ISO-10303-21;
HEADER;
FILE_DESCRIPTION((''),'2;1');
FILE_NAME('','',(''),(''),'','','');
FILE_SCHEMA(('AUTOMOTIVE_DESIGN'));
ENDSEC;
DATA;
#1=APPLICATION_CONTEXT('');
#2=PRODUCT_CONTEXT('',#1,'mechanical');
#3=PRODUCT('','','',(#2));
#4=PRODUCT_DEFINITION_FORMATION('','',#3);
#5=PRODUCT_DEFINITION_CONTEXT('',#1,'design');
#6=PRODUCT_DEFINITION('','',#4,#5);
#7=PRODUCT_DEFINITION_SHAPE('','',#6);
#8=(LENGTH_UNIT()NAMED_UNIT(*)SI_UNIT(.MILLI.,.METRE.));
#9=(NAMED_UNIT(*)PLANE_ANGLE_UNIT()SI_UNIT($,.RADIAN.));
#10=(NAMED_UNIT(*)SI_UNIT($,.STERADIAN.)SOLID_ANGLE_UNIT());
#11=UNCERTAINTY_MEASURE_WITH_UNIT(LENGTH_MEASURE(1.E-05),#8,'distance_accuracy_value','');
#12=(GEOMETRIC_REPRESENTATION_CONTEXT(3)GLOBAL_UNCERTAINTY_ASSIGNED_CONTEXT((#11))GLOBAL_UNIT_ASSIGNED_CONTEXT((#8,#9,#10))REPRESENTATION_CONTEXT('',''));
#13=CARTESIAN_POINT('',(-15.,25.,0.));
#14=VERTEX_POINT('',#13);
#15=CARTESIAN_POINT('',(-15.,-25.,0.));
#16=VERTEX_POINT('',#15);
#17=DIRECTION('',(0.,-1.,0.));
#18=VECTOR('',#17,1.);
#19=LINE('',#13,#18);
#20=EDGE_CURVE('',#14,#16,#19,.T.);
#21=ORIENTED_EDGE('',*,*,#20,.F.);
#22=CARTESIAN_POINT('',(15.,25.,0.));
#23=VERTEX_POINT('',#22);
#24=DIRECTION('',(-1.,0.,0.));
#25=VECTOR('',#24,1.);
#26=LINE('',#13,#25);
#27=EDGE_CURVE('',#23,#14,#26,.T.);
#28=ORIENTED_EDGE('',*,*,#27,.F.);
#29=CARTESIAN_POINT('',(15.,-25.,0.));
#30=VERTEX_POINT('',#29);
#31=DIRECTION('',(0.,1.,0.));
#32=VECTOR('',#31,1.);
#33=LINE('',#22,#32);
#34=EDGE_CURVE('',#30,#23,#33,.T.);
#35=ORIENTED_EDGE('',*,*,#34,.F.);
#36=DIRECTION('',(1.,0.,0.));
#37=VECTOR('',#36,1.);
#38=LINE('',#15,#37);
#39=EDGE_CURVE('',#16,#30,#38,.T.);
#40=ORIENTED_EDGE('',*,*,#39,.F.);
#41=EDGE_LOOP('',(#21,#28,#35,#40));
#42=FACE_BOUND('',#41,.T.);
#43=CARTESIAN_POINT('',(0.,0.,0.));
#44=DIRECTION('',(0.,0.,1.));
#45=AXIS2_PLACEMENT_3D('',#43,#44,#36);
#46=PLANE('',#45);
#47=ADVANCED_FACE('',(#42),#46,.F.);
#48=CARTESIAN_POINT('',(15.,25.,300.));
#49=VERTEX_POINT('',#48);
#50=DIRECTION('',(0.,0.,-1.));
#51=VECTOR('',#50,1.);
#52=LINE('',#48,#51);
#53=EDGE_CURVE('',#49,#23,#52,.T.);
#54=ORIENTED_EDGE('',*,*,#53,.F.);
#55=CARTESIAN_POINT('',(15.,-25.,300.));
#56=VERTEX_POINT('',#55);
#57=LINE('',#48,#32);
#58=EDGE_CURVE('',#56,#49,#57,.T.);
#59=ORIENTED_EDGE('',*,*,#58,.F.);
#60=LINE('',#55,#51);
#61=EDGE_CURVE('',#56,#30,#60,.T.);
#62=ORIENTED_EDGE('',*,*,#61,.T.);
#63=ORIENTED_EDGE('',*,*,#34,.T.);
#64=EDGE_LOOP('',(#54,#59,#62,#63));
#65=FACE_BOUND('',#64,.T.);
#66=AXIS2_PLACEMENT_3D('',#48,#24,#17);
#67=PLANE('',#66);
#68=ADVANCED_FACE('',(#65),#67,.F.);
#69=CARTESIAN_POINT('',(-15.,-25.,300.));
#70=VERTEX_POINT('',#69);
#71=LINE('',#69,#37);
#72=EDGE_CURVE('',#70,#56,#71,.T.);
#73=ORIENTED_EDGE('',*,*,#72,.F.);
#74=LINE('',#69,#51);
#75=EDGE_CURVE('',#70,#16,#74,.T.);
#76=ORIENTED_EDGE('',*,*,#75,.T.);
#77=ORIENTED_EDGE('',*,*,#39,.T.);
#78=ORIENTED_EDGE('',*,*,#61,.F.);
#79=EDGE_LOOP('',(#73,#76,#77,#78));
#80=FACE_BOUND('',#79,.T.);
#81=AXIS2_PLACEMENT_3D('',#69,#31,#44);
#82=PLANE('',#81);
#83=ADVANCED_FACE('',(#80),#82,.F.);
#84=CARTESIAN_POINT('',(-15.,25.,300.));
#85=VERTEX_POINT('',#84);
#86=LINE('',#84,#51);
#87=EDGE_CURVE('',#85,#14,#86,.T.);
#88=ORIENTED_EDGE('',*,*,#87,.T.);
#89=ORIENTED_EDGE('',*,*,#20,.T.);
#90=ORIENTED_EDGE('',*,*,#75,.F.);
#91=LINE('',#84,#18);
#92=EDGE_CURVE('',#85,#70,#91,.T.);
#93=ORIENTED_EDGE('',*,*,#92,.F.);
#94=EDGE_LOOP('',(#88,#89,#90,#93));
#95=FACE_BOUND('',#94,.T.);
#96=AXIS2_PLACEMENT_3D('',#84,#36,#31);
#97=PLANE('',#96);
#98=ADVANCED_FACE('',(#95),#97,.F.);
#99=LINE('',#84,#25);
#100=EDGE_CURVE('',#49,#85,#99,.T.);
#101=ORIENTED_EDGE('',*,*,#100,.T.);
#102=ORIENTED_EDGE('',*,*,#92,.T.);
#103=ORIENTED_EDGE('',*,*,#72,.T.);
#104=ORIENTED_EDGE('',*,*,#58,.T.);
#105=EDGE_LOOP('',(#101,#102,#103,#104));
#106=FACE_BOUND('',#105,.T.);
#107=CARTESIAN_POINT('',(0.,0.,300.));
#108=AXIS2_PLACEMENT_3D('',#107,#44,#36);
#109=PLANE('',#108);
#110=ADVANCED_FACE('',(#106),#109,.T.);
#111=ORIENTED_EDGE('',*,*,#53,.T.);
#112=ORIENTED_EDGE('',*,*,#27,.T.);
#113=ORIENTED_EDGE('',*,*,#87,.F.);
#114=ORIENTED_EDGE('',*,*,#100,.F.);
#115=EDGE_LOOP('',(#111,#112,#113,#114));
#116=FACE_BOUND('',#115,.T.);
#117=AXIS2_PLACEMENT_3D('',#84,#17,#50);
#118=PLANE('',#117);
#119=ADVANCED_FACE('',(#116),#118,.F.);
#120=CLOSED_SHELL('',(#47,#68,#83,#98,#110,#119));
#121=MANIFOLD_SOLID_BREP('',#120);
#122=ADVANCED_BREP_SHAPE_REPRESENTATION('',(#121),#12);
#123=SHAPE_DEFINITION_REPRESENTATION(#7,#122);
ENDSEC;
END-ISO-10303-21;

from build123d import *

# Parameters (mm, degrees)
SKETCH_1_W      = 30
SKETCH_1_H      = 50
EXTRUDE_1_DEPTH = 300


with BuildPart() as part:
    # 草图1 → 凸台-拉伸1 (new body)
    with BuildSketch(Plane.XY):
        Rectangle(SKETCH_1_W, SKETCH_1_H)
    extrude(amount=EXTRUDE_1_DEPTH)


solid = part.part
